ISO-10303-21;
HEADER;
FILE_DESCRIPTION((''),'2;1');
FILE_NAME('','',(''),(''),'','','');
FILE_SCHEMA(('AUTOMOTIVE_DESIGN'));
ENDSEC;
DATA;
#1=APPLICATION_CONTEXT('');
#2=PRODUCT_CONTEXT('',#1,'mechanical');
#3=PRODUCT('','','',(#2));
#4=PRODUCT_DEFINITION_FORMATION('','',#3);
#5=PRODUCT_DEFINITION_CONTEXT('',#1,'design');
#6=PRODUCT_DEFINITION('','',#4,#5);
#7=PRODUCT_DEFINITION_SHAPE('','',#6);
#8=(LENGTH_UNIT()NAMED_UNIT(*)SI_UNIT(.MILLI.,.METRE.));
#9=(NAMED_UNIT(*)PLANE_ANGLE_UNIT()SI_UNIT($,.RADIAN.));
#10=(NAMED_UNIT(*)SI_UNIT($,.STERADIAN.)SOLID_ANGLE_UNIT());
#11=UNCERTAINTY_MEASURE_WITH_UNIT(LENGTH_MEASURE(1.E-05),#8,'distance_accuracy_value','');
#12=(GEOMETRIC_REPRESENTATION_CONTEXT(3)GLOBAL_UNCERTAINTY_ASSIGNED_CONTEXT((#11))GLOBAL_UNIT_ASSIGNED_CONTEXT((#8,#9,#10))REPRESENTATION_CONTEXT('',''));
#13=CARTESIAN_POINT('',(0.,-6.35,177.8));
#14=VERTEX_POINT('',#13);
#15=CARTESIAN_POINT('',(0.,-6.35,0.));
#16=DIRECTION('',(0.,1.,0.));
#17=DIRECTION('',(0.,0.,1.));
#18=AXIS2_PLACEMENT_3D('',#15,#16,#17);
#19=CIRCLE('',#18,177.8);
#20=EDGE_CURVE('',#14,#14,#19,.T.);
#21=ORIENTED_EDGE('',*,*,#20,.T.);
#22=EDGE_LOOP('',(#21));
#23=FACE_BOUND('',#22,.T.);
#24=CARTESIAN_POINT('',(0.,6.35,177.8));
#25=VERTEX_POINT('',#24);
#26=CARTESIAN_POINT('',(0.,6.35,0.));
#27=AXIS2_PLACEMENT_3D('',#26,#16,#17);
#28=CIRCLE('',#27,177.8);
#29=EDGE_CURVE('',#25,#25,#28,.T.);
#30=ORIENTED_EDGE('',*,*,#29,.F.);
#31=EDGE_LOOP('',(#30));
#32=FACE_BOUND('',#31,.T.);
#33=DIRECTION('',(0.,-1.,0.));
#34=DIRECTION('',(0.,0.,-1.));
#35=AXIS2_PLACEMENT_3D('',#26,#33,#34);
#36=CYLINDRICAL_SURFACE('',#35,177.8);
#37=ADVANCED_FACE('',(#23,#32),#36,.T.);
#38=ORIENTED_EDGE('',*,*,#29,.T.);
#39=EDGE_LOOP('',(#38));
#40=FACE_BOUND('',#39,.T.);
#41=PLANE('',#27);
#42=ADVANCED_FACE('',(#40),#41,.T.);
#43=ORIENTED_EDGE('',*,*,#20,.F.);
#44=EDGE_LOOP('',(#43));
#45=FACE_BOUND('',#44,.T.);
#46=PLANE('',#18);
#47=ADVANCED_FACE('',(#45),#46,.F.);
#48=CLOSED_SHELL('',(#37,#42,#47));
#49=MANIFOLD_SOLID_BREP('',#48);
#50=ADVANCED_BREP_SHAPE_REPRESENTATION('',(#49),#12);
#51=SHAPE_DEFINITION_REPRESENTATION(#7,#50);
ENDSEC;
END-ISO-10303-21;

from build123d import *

# Parameters (mm, degrees)
SKETCH1_R           = 177.8
BOSS_EXTRUDE1_DEPTH = 6.35


with BuildPart() as part:
    # Sketch1 → Boss-Extrude1 (new body, symmetric)
    with BuildSketch(Plane(origin=(0, 0, 0), x_dir=(1, 0, 0), z_dir=(0, 1, 0))):
        Circle(SKETCH1_R)
    extrude(amount=BOSS_EXTRUDE1_DEPTH, both=True)


solid = part.part
